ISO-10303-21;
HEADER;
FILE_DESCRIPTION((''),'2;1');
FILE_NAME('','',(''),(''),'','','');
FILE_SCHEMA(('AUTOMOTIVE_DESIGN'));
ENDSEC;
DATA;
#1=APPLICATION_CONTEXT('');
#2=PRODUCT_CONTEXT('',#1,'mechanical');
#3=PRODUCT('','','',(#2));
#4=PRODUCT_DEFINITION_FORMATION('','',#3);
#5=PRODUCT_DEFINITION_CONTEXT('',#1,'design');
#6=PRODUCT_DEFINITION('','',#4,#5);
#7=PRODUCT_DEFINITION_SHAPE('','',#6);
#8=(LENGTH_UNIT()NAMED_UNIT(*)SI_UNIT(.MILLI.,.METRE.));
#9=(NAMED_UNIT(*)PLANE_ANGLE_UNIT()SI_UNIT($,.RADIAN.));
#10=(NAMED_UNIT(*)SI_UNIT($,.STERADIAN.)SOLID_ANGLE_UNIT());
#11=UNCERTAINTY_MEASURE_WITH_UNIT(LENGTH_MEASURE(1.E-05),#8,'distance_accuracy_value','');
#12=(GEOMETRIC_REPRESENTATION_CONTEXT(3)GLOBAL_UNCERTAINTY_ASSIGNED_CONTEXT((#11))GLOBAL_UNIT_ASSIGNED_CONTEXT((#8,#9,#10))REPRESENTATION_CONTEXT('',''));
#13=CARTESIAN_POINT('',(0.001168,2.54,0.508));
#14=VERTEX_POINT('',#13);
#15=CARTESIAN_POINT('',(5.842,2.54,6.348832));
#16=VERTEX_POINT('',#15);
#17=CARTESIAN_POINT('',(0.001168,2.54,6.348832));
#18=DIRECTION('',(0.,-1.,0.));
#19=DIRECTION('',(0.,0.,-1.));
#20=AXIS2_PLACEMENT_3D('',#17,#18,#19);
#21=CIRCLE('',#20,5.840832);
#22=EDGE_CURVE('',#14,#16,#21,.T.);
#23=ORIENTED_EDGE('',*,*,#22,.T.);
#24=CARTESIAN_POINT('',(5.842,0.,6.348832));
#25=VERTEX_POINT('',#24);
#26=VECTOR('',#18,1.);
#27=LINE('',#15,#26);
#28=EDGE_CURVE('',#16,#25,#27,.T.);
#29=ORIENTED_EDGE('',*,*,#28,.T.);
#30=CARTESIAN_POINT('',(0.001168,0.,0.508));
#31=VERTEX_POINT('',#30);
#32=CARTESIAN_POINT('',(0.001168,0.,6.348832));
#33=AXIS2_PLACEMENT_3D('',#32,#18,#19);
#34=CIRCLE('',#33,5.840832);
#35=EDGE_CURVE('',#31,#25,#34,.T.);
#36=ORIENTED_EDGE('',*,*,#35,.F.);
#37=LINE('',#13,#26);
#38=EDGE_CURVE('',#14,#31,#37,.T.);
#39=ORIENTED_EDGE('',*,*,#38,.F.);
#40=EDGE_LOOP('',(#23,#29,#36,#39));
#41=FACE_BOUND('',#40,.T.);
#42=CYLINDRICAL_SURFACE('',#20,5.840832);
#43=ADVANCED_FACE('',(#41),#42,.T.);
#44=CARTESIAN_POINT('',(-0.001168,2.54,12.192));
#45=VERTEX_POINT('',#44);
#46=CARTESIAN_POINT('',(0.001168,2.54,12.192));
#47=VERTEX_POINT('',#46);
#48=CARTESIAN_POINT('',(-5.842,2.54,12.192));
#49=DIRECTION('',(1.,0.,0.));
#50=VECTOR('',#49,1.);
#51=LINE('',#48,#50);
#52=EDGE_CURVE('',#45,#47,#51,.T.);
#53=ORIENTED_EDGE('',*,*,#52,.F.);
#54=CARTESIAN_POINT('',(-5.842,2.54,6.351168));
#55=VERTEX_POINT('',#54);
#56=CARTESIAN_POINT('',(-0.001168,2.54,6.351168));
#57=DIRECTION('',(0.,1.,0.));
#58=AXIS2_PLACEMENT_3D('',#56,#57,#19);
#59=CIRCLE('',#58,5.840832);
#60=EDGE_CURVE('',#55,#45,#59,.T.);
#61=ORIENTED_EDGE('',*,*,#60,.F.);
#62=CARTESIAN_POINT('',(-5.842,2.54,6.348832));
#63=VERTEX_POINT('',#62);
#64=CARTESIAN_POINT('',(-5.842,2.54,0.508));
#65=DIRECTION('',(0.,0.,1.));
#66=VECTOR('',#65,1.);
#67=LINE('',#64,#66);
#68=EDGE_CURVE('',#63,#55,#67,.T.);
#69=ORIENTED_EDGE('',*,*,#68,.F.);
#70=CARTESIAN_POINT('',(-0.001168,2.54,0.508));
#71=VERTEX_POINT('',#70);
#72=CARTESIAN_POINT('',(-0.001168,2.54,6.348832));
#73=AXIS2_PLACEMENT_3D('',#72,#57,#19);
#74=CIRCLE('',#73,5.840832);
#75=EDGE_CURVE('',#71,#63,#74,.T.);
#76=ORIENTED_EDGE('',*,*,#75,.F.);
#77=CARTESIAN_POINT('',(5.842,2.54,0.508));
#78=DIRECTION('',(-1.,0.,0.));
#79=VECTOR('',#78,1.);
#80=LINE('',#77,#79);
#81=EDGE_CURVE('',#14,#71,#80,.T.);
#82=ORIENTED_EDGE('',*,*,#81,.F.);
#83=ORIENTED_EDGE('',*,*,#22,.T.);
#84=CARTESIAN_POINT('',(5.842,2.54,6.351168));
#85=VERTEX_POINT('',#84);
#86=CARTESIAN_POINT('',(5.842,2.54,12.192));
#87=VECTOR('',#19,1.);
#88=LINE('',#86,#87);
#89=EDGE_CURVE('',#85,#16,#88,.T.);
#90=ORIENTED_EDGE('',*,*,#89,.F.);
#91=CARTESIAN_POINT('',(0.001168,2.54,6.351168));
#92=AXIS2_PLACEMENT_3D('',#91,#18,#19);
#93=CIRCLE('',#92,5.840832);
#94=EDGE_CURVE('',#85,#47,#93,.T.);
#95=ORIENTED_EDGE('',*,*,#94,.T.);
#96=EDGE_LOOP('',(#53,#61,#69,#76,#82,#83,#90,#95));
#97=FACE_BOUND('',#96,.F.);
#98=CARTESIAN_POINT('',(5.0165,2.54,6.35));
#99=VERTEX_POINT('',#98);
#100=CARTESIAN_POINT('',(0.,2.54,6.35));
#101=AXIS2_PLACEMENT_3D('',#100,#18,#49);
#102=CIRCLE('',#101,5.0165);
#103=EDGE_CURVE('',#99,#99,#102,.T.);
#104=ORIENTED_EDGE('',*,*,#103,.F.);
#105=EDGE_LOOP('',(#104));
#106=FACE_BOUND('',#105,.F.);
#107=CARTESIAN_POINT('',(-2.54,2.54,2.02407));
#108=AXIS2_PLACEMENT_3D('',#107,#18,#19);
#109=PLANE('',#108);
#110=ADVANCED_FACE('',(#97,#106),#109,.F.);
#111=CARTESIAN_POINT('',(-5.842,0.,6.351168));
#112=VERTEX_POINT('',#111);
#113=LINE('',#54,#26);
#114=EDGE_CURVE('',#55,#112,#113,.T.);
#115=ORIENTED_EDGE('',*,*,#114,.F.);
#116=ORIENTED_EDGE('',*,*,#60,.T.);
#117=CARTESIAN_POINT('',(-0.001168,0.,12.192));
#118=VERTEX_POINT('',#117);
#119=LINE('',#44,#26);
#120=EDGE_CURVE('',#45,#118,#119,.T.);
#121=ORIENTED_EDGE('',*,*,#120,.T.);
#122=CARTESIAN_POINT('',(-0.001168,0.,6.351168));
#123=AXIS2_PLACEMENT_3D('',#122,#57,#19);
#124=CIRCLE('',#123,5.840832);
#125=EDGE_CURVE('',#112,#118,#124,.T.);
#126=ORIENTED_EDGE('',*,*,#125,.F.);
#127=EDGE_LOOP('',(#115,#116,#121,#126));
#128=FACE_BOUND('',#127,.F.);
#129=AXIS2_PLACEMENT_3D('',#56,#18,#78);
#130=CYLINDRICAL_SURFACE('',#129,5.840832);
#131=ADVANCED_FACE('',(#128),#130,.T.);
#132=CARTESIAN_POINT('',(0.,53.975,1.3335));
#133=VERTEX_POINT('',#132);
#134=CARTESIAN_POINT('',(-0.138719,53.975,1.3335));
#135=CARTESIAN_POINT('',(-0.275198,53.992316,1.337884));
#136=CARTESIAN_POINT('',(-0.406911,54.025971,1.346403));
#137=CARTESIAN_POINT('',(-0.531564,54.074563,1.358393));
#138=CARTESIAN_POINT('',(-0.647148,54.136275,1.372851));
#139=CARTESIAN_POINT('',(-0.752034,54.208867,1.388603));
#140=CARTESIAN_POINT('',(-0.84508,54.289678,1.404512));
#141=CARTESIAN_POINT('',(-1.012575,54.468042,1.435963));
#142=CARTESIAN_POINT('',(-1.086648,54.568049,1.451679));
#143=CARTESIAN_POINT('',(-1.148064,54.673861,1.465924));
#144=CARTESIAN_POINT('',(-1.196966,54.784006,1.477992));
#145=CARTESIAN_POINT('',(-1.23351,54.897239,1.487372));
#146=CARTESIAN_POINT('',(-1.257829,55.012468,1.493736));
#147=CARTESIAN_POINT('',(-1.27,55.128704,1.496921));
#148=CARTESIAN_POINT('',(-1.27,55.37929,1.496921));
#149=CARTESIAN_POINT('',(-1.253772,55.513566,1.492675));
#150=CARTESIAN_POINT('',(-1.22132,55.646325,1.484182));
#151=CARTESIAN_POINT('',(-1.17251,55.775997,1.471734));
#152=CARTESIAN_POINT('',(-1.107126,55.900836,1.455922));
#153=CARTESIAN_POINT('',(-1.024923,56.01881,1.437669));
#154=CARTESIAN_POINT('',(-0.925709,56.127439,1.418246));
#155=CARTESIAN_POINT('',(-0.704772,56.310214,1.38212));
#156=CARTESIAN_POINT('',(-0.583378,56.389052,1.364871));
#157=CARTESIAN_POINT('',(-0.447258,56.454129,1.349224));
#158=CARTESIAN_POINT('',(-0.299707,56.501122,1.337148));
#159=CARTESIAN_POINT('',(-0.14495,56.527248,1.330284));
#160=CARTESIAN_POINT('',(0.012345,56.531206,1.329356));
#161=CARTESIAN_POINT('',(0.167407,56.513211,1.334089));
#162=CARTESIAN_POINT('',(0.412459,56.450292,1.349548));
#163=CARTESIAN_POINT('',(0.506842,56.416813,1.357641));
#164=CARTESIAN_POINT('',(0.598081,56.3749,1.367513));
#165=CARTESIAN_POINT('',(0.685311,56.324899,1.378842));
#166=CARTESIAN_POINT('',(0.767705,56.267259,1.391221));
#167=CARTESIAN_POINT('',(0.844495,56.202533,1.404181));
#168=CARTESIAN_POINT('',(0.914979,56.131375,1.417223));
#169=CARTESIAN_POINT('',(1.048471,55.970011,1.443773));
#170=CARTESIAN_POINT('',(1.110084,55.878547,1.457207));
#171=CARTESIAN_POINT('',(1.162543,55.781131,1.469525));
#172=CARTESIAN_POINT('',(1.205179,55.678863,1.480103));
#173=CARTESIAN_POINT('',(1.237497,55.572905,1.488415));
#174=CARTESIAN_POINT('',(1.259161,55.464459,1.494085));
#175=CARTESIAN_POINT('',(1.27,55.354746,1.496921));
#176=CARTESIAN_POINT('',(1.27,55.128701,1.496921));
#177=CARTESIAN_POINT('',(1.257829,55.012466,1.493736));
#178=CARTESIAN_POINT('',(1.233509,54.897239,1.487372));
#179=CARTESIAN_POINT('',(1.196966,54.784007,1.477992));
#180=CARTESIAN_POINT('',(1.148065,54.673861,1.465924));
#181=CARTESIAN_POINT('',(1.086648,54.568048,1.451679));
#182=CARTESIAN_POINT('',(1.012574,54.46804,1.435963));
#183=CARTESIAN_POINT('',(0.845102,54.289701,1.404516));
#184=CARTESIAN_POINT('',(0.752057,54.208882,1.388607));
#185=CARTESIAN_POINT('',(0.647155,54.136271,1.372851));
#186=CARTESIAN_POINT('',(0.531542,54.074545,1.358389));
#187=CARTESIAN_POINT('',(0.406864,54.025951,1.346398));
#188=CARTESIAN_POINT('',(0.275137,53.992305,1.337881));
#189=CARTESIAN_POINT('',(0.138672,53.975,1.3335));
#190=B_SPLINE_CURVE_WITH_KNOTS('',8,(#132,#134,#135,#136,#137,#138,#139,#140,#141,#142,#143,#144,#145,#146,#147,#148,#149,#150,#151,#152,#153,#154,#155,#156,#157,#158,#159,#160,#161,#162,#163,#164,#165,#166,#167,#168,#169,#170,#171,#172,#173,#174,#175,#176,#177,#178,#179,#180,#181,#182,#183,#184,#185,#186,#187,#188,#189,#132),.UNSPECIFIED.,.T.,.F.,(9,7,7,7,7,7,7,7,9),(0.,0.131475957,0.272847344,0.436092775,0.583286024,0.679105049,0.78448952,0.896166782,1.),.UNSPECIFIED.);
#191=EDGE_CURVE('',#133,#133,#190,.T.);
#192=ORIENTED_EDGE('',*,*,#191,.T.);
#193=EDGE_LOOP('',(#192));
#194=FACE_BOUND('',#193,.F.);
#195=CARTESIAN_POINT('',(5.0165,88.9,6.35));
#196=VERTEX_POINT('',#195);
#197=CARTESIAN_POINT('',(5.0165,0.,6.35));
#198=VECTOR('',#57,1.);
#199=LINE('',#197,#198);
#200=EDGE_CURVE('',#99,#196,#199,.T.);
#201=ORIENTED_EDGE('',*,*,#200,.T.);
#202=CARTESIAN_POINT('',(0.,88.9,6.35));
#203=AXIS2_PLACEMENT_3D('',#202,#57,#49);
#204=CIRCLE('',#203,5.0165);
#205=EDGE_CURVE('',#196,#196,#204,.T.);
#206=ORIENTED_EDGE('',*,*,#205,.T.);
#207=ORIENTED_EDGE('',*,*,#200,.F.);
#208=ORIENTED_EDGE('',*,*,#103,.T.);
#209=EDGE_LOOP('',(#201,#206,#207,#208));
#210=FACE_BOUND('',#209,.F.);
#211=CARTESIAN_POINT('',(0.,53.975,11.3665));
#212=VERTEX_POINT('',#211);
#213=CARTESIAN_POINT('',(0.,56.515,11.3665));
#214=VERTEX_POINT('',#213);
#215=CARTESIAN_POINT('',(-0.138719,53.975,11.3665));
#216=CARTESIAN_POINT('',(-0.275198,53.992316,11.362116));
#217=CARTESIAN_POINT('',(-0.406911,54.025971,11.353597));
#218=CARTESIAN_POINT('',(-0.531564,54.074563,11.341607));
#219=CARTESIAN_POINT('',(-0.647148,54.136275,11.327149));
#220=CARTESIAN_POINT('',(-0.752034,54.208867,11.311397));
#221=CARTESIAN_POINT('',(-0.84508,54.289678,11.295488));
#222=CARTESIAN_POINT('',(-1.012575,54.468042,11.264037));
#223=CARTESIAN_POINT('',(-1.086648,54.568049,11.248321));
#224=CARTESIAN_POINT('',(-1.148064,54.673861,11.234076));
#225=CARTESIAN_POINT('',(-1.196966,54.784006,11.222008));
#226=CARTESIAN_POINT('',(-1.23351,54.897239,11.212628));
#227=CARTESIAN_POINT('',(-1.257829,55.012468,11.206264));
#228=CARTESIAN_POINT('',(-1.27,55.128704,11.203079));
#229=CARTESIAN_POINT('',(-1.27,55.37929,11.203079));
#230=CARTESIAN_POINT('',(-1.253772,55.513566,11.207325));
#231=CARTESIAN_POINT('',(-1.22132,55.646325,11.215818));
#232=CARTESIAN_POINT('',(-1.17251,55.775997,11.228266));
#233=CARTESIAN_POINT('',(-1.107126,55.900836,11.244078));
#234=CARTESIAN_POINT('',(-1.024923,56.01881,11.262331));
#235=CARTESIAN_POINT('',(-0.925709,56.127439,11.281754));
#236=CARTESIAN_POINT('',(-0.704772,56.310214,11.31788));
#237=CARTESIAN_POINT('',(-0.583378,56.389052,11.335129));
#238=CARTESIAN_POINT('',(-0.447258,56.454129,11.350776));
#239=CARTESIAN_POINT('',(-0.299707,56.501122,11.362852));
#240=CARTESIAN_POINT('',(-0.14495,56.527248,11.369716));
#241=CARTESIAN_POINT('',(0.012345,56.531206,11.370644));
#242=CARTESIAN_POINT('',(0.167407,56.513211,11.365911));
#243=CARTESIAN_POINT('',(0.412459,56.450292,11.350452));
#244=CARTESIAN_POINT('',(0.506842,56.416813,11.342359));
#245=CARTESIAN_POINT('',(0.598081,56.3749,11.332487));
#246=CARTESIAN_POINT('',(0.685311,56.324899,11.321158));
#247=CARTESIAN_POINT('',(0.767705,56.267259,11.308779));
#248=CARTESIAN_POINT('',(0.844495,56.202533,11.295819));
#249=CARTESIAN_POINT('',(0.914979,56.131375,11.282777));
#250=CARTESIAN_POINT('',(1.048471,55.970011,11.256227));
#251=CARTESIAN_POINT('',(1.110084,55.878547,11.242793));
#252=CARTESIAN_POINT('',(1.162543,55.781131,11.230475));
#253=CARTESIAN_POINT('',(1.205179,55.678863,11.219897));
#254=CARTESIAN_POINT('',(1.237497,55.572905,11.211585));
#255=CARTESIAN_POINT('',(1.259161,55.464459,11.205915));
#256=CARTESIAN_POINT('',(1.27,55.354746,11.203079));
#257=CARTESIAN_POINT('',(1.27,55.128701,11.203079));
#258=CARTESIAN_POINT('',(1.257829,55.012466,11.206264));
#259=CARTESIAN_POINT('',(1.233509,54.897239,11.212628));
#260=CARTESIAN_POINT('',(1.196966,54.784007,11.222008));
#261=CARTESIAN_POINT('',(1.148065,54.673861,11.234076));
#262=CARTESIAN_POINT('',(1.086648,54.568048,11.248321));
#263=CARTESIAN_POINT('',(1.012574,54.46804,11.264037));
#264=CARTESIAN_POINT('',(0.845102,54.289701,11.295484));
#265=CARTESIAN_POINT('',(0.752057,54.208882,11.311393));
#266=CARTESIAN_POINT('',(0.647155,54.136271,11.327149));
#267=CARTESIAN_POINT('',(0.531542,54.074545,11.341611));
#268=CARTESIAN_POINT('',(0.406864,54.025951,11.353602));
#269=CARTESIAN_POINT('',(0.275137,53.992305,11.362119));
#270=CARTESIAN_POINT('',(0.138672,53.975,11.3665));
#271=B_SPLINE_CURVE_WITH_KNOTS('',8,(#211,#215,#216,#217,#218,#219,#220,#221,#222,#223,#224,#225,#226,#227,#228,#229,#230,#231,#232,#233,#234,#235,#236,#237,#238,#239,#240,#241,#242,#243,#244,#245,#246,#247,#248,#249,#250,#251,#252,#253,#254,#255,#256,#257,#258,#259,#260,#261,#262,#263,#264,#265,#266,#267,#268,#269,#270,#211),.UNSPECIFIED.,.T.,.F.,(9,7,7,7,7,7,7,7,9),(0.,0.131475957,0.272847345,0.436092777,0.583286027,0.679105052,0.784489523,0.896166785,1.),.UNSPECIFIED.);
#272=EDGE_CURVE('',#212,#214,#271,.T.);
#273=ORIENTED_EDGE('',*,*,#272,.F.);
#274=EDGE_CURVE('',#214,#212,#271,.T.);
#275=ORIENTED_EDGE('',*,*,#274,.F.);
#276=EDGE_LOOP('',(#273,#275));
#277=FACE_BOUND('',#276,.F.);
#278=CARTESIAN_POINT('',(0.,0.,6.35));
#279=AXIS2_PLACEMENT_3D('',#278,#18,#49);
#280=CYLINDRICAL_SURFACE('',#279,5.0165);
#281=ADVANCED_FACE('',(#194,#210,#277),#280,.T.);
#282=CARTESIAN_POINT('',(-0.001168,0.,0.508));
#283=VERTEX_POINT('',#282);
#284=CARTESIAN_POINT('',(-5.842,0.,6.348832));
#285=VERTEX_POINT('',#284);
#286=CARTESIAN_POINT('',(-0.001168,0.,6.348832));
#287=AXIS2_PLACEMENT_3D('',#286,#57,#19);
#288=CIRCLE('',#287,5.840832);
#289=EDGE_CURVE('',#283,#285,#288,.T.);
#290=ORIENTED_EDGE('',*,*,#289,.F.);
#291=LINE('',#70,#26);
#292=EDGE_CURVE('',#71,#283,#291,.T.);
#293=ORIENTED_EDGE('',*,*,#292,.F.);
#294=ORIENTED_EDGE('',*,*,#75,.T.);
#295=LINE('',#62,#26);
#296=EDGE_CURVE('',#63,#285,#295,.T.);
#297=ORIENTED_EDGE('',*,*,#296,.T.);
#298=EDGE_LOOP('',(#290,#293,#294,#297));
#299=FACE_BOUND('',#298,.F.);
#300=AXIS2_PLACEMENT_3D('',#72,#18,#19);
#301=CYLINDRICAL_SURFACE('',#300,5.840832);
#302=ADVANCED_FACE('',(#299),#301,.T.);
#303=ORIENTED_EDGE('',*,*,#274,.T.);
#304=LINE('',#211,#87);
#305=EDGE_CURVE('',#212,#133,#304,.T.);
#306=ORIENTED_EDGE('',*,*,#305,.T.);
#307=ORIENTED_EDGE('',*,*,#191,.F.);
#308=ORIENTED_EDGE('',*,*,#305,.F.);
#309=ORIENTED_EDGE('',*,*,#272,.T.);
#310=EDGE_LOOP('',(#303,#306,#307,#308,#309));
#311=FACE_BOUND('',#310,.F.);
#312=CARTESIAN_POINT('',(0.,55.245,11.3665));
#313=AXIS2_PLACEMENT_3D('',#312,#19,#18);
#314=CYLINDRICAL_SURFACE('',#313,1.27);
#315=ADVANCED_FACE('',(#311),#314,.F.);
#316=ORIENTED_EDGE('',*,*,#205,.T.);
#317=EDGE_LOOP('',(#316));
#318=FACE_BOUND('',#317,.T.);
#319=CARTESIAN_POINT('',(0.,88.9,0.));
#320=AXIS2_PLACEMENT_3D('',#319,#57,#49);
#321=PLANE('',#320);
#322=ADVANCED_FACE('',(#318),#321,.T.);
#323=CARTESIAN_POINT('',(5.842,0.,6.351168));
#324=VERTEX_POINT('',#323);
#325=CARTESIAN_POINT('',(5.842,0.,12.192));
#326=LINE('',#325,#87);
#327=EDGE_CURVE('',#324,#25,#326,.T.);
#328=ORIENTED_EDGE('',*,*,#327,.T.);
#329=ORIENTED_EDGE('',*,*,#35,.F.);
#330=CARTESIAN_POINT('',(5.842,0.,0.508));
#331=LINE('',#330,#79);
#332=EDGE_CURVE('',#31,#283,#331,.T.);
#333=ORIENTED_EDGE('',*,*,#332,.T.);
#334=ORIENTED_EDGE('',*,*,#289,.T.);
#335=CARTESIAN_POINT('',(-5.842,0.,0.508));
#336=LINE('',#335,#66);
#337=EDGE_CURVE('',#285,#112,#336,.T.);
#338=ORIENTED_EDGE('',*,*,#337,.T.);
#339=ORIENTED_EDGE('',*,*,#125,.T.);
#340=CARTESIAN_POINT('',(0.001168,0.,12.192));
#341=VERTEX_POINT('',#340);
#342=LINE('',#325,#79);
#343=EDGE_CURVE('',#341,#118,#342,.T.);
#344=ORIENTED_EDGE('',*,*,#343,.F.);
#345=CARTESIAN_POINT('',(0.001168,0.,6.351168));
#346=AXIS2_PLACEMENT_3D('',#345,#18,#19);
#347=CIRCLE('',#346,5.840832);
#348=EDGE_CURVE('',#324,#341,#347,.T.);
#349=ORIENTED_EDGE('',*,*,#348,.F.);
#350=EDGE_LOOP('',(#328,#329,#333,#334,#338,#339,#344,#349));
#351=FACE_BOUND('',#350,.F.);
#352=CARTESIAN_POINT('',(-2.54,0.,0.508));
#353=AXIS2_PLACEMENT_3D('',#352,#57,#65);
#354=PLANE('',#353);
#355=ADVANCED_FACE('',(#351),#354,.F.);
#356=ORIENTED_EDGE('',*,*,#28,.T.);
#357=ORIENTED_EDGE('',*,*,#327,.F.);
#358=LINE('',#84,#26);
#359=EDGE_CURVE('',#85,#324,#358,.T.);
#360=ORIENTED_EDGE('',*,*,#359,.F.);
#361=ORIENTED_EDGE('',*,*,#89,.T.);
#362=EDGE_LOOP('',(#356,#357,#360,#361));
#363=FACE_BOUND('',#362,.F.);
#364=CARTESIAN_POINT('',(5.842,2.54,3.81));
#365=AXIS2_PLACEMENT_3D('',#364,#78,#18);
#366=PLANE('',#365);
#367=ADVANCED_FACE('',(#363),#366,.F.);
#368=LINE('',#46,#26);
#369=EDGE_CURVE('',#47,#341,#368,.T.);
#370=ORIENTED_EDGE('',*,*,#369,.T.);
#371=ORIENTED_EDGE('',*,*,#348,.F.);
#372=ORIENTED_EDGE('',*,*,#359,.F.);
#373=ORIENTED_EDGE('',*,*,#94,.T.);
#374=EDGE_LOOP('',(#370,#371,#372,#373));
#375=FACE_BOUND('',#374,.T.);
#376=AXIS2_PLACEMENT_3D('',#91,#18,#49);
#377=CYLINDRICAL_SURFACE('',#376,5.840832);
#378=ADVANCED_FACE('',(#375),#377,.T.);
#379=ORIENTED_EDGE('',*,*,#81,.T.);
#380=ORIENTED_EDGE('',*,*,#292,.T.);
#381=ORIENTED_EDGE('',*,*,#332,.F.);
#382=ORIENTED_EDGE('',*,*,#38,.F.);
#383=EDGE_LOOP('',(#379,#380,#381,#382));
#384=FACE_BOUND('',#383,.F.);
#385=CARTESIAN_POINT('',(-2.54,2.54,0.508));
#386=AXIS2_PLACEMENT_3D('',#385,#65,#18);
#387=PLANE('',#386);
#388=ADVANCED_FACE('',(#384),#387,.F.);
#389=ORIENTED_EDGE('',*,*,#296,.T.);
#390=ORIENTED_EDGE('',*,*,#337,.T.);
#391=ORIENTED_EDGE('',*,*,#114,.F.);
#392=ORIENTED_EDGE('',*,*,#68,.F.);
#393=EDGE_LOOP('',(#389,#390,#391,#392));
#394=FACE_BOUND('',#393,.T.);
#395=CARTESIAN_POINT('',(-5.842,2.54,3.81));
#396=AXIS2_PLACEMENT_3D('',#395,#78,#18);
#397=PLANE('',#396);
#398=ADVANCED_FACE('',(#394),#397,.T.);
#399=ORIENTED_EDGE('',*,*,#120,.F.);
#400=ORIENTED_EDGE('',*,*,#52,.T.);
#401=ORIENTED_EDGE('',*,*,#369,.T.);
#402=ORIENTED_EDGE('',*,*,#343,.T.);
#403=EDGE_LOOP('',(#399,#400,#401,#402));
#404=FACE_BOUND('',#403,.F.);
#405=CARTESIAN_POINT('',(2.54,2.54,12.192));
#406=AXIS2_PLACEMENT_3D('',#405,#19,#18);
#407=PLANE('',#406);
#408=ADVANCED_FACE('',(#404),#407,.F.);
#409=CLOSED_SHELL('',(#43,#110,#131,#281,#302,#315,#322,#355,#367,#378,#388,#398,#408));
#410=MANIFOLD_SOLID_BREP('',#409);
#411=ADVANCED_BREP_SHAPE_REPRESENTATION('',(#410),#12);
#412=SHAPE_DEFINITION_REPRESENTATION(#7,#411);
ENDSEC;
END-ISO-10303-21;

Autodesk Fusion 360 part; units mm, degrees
sketch "Sketch1" plane through (0, 0, 0) normal (0, 1, 0) x (1, 0, 0)
  circle A0 centre (0, -6.35) radius 5.0165
  dimension "d1" = 10.033
extrude "Extrude1" add sketch "Sketch1" along normal blind 88.9
hole "Hole1" at (0, 55.245, 11.3665) direction (0, 0, -1) diameter 2.54 depth 19.05 tip angle 118
extrude "Extrude2" cut 1 faces at (-0.3721, 0, 4.7198) along direction (0, 1, 0) blind 2.54
sketch "Sketch3" plane through (0, 2.54, 0) normal (0, -1, 0) x (1, 0, 0)
  circle A0 centre (0, 6.35) radius 5.0165
  line L0 (-2.54, 8.89) -> (2.54, 8.89)
  line L1 (2.54, 8.89) -> (2.54, 3.81)
  line L2 (2.54, 3.81) -> (-2.54, 3.81)
  line L3 (-2.54, 3.81) -> (-2.54, 8.89)
extrude "Extrude3" add sketch "Sketch3" along normal blind 2.54 contours L0 L1 L2 L3
extrude "Extrude4" add 1 faces at (0.8467, 0.8467, 8.89) along direction (0, 0, 1) blind 3.302
extrude "Extrude5" add 1 faces at (2.54, 0.8467, 8.8926) along direction (1, 0, 0) blind 3.302
extrude "Extrude6" add 1 faces at (2.5426, 0.8467, 3.81) along direction (0, 0, -1) blind 3.302
extrude "Extrude7" add 1 faces at (-2.54, 0.8467, 4.908) along direction (-1, 0, 0) blind 3.302
fillet "Fillet1" radius 5.842 4 edges at (-5.842, 1.27, 12.192) (5.842, 1.27, 12.192) (5.842, 1.27, 0.508) (-5.842, 1.27, 0.508)
